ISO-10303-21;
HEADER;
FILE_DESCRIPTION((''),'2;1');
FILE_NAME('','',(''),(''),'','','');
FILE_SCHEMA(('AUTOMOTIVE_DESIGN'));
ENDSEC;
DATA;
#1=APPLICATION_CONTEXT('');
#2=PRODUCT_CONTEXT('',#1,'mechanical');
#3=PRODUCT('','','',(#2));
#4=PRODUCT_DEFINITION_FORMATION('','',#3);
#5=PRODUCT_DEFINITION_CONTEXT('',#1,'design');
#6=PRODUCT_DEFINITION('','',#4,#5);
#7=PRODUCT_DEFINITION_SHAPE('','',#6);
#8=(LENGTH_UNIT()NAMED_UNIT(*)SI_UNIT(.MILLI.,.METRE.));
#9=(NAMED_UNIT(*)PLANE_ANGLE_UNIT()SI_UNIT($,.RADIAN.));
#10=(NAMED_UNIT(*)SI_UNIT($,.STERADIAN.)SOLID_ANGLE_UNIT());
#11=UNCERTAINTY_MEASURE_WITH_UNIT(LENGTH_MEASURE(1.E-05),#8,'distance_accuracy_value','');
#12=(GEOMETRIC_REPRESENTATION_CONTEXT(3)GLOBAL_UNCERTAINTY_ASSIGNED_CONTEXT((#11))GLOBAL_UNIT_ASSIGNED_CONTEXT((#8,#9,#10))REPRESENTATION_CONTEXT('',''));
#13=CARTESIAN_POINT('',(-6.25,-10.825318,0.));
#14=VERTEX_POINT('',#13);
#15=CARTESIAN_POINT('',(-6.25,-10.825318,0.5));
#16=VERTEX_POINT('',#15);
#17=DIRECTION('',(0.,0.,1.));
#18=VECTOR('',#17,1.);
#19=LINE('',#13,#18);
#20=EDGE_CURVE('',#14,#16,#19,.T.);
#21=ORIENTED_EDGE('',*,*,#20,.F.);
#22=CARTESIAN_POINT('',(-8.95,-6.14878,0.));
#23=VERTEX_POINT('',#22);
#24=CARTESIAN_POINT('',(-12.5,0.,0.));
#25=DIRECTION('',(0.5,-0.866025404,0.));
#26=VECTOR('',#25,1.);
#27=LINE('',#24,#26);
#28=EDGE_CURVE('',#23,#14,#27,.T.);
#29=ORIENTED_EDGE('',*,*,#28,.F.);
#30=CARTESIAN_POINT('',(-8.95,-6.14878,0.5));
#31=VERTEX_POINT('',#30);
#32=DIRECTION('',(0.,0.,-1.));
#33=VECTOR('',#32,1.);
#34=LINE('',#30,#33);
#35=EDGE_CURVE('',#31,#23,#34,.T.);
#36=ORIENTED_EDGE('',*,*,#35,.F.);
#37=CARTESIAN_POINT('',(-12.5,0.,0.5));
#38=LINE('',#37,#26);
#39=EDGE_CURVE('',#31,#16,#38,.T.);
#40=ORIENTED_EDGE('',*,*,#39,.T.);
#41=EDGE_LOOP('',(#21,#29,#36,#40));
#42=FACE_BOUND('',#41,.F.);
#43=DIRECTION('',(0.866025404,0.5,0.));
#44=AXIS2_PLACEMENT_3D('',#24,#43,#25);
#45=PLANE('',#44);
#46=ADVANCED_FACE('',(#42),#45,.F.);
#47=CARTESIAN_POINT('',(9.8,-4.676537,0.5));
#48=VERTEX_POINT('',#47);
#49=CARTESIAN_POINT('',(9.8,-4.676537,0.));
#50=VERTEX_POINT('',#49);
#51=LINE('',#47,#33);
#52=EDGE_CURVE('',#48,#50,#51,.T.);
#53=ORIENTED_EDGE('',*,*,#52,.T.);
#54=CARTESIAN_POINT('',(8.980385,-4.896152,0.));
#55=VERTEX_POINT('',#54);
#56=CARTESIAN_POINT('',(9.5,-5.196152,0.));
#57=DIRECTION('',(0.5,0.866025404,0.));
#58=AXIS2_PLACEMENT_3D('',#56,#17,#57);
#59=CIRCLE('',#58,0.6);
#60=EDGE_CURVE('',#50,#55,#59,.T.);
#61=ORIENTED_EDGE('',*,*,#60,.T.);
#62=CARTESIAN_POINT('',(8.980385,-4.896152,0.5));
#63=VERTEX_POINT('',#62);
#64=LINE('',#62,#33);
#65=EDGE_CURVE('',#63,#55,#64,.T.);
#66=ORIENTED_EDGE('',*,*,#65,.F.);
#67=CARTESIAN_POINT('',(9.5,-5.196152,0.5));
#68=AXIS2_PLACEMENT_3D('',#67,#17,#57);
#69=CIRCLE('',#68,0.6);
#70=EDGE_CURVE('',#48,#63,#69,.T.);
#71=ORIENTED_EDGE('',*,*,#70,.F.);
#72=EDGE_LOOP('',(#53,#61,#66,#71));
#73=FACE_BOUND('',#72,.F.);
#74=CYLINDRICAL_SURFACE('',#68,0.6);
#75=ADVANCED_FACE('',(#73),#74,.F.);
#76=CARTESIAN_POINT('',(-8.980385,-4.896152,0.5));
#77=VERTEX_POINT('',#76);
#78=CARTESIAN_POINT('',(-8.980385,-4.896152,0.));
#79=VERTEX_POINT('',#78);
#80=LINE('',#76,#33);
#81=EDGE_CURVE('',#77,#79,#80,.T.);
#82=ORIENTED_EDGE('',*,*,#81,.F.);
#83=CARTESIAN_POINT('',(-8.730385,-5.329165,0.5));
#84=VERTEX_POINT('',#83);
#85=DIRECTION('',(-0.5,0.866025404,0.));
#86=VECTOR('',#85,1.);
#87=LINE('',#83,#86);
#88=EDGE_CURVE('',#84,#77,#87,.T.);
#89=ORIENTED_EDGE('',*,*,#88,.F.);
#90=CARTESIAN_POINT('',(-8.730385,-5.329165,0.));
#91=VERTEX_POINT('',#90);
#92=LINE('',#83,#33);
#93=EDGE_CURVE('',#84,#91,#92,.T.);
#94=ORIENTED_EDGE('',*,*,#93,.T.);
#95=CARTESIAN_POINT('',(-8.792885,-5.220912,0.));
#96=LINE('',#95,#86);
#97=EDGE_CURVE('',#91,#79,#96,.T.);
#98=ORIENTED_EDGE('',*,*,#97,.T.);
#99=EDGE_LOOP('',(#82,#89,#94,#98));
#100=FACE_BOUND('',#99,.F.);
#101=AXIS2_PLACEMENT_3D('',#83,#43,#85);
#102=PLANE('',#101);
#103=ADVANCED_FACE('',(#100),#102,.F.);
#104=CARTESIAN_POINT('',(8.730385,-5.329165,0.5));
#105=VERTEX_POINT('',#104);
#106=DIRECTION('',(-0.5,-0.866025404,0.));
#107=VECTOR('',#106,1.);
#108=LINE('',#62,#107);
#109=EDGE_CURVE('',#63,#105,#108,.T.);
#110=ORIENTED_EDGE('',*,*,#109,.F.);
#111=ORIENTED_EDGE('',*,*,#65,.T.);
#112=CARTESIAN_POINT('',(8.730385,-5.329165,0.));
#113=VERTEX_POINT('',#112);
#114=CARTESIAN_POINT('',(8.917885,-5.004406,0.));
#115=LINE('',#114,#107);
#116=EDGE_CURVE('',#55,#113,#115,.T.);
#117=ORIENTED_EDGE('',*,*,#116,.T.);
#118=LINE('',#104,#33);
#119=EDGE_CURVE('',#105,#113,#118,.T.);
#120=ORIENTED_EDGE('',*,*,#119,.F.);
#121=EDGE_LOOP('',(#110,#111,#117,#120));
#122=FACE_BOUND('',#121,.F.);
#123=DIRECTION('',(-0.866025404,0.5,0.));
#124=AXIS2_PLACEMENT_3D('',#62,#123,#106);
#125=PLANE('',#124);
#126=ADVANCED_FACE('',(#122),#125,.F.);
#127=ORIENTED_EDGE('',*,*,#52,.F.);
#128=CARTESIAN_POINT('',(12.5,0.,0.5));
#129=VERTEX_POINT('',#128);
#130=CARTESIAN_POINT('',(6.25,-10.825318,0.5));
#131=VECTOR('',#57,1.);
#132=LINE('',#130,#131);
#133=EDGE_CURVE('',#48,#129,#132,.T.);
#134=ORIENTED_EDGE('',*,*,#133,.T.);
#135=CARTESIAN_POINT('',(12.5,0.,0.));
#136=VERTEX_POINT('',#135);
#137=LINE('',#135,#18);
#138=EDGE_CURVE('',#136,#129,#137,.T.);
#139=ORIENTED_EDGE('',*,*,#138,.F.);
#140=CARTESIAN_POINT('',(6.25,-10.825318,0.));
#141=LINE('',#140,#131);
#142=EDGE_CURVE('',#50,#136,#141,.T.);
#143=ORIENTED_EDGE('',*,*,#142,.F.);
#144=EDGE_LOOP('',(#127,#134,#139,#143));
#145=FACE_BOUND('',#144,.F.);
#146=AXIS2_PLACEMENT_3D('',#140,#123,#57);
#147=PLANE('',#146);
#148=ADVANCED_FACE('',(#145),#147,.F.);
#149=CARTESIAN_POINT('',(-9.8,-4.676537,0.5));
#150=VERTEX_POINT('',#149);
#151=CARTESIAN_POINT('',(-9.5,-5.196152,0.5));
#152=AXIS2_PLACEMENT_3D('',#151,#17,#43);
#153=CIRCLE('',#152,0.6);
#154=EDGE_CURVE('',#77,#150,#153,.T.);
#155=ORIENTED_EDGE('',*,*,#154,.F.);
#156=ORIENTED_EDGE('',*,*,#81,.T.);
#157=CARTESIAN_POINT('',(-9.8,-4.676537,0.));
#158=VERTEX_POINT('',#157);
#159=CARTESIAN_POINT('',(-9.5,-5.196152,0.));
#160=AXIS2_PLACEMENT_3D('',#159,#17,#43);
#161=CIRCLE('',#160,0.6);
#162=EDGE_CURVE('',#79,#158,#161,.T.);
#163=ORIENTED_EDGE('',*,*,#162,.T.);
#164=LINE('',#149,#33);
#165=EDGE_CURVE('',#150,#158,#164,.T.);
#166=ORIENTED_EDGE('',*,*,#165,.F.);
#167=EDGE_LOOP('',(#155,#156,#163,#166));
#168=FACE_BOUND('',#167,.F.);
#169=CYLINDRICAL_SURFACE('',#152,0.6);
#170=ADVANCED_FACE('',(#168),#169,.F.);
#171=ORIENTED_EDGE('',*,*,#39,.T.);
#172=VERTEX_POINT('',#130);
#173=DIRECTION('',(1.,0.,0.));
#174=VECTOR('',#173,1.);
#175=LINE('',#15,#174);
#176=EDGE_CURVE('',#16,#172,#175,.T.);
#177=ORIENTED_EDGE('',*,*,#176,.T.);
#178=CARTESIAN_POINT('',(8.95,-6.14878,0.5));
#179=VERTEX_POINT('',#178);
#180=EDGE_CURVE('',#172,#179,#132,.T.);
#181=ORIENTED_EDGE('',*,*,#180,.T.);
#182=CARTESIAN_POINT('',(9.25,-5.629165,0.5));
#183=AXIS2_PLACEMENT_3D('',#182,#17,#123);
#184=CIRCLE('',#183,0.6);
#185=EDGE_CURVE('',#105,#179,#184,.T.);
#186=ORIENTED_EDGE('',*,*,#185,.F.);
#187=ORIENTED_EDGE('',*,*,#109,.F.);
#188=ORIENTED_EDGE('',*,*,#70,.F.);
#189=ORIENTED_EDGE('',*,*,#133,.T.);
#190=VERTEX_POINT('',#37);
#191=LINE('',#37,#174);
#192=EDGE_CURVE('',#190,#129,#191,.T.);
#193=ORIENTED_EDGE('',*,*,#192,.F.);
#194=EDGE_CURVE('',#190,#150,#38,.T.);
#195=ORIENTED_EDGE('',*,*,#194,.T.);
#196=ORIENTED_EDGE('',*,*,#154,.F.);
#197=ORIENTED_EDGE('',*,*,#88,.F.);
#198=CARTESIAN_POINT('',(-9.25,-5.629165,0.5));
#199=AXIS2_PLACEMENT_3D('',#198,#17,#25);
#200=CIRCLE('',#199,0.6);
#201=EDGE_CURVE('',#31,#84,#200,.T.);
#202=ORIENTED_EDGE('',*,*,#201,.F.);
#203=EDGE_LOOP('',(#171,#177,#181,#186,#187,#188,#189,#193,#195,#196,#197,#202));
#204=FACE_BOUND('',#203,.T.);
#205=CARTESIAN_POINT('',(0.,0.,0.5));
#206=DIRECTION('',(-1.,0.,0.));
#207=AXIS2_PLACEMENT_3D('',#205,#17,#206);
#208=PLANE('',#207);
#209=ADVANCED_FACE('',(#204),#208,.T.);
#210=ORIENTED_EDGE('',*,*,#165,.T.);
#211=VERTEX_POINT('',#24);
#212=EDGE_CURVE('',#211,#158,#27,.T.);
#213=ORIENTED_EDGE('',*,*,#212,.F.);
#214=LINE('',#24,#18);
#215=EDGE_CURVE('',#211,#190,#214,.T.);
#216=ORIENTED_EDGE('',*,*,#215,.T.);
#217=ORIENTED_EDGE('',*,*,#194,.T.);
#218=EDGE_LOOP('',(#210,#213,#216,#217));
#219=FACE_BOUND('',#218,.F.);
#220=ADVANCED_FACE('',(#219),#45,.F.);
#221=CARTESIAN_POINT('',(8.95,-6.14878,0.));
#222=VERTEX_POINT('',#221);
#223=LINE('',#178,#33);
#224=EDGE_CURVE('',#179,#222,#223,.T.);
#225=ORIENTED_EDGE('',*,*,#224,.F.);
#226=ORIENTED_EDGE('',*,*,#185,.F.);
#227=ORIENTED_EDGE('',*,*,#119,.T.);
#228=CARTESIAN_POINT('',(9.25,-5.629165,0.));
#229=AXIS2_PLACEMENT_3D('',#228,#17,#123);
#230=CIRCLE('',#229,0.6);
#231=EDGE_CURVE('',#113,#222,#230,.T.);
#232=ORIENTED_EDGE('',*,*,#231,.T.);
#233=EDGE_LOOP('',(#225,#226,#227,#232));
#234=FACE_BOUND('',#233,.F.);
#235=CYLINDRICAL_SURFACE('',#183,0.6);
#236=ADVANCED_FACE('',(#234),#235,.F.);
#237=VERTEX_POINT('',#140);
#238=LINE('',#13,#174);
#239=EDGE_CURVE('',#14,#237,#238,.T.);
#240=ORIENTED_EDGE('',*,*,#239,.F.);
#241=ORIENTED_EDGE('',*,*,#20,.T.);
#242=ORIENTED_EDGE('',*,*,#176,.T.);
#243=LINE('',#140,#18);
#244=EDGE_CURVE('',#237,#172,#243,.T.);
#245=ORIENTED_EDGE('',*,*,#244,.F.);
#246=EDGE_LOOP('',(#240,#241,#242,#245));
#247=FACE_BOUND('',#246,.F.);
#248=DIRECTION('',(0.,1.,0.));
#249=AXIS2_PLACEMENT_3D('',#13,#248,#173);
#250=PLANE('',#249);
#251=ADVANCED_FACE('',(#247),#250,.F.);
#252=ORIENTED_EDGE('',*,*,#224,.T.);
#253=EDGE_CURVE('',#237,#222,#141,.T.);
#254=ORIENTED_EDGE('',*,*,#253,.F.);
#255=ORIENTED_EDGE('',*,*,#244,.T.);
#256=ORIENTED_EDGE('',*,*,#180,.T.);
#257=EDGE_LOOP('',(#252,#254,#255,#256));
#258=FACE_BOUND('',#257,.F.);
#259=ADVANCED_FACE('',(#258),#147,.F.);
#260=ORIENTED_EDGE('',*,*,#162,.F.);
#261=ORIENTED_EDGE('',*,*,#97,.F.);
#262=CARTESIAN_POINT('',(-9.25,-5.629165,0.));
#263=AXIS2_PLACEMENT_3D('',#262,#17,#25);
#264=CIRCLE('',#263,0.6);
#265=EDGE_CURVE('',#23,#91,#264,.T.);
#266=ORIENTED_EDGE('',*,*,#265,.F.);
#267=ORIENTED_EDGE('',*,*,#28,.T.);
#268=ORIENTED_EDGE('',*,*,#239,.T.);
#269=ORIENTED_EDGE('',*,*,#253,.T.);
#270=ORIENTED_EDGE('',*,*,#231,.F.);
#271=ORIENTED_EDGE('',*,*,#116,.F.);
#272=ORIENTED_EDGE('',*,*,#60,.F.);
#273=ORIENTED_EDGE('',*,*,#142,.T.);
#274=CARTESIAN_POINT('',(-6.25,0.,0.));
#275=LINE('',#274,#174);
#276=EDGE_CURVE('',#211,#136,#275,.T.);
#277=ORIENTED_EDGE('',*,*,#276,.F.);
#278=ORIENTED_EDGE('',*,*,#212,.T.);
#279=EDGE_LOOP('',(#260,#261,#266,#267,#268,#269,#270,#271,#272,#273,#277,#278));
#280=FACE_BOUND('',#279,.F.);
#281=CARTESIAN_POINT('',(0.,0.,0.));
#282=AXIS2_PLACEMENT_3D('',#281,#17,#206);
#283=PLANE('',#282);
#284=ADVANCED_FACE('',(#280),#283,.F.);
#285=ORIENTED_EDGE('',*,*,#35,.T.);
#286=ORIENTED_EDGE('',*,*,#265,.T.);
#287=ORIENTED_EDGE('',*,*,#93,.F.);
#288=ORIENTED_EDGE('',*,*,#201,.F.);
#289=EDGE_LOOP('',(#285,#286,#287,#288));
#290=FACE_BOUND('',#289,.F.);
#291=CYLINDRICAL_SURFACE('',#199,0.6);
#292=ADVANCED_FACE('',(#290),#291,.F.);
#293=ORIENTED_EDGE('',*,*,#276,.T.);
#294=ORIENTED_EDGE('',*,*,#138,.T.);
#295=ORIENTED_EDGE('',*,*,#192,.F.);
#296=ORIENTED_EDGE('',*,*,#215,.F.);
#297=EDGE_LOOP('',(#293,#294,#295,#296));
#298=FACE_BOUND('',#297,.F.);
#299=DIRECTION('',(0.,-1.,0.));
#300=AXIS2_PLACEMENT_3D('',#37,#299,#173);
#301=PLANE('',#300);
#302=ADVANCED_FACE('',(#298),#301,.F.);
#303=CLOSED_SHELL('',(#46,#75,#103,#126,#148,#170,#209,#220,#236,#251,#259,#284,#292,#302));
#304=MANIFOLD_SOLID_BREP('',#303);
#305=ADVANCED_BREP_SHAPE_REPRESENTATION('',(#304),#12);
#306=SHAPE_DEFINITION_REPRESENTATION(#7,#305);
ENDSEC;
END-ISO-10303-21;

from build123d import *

# Parameters (mm, degrees)
F1_DEPTH = 0.5
F3_DEPTH = 0.501
F5_DEPTH = 0.501
F7_ANGLE = 180


with BuildPart() as f1:
    # F0 (on Top) → F1 (new body)
    with BuildSketch(Plane.XY):
        Polygon((6.25, -10.8253175473), (12.5, 0), (6.25, 10.8253175473), (-6.25, 10.8253175473), (-12.5, 0), (-6.25, -10.8253175473), align=None)
    extrude(amount=F1_DEPTH)

    # F2 (on face) → F3 (cut, through all)
    with BuildSketch(Plane.XY.offset(0.5)):
        with BuildLine():
            ThreePointArc((0.85, -10.8253175473), (0.6742640687, -10.4010534786), (0.25, -10.2253175473))
            Line((0.25, -10.2253175473), (-0.25, -10.2253175473))
            ThreePointArc((-0.25, -10.2253175473), (-0.6742640687, -10.4010534786), (-0.85, -10.8253175473))
            Line((-0.85, -10.8253175473), (0.85, -10.8253175473))
        make_face()
        with BuildLine():
            Line((8.7303847577, 5.3291651246), (8.9803847577, 4.8961524227))
            ThreePointArc((8.9803847577, 4.8961524227), (9.3447085729, 4.6165969269), (9.8, 4.6765371804))
            Line((9.8, 4.6765371804), (8.95, 6.1487803669))
            ThreePointArc((8.95, 6.1487803669), (8.6704445042, 5.7844565517), (8.7303847577, 5.3291651246))
        make_face()
        with BuildLine():
            Line((-8.9803847577, 4.8961524227), (-8.7303847577, 5.3291651246))
            ThreePointArc((-8.7303847577, 5.3291651246), (-8.6704445042, 5.7844565517), (-8.95, 6.1487803669))
            Line((-8.95, 6.1487803669), (-9.8, 4.6765371804))
            ThreePointArc((-9.8, 4.6765371804), (-9.3447085729, 4.6165969269), (-8.9803847577, 4.8961524227))
        make_face()
    extrude(amount=-F3_DEPTH, mode=Mode.SUBTRACT)

    # F4 (on face) → F5 (cut, through all)
    with BuildSketch(Plane.XY.offset(0.5)):
        Polygon((12.5, 0), (-12.5, 0), (-6.25, -10.8253175473), (6.25, -10.8253175473), align=None)
    extrude(amount=-F5_DEPTH, mode=Mode.SUBTRACT)


with BuildPart() as f1_1:
    # F7: moved
    add(f1.part.rotate(Axis((0, 0, 5.479618907), (0, 0, 1)), F7_ANGLE))


solid = f1_1.part
